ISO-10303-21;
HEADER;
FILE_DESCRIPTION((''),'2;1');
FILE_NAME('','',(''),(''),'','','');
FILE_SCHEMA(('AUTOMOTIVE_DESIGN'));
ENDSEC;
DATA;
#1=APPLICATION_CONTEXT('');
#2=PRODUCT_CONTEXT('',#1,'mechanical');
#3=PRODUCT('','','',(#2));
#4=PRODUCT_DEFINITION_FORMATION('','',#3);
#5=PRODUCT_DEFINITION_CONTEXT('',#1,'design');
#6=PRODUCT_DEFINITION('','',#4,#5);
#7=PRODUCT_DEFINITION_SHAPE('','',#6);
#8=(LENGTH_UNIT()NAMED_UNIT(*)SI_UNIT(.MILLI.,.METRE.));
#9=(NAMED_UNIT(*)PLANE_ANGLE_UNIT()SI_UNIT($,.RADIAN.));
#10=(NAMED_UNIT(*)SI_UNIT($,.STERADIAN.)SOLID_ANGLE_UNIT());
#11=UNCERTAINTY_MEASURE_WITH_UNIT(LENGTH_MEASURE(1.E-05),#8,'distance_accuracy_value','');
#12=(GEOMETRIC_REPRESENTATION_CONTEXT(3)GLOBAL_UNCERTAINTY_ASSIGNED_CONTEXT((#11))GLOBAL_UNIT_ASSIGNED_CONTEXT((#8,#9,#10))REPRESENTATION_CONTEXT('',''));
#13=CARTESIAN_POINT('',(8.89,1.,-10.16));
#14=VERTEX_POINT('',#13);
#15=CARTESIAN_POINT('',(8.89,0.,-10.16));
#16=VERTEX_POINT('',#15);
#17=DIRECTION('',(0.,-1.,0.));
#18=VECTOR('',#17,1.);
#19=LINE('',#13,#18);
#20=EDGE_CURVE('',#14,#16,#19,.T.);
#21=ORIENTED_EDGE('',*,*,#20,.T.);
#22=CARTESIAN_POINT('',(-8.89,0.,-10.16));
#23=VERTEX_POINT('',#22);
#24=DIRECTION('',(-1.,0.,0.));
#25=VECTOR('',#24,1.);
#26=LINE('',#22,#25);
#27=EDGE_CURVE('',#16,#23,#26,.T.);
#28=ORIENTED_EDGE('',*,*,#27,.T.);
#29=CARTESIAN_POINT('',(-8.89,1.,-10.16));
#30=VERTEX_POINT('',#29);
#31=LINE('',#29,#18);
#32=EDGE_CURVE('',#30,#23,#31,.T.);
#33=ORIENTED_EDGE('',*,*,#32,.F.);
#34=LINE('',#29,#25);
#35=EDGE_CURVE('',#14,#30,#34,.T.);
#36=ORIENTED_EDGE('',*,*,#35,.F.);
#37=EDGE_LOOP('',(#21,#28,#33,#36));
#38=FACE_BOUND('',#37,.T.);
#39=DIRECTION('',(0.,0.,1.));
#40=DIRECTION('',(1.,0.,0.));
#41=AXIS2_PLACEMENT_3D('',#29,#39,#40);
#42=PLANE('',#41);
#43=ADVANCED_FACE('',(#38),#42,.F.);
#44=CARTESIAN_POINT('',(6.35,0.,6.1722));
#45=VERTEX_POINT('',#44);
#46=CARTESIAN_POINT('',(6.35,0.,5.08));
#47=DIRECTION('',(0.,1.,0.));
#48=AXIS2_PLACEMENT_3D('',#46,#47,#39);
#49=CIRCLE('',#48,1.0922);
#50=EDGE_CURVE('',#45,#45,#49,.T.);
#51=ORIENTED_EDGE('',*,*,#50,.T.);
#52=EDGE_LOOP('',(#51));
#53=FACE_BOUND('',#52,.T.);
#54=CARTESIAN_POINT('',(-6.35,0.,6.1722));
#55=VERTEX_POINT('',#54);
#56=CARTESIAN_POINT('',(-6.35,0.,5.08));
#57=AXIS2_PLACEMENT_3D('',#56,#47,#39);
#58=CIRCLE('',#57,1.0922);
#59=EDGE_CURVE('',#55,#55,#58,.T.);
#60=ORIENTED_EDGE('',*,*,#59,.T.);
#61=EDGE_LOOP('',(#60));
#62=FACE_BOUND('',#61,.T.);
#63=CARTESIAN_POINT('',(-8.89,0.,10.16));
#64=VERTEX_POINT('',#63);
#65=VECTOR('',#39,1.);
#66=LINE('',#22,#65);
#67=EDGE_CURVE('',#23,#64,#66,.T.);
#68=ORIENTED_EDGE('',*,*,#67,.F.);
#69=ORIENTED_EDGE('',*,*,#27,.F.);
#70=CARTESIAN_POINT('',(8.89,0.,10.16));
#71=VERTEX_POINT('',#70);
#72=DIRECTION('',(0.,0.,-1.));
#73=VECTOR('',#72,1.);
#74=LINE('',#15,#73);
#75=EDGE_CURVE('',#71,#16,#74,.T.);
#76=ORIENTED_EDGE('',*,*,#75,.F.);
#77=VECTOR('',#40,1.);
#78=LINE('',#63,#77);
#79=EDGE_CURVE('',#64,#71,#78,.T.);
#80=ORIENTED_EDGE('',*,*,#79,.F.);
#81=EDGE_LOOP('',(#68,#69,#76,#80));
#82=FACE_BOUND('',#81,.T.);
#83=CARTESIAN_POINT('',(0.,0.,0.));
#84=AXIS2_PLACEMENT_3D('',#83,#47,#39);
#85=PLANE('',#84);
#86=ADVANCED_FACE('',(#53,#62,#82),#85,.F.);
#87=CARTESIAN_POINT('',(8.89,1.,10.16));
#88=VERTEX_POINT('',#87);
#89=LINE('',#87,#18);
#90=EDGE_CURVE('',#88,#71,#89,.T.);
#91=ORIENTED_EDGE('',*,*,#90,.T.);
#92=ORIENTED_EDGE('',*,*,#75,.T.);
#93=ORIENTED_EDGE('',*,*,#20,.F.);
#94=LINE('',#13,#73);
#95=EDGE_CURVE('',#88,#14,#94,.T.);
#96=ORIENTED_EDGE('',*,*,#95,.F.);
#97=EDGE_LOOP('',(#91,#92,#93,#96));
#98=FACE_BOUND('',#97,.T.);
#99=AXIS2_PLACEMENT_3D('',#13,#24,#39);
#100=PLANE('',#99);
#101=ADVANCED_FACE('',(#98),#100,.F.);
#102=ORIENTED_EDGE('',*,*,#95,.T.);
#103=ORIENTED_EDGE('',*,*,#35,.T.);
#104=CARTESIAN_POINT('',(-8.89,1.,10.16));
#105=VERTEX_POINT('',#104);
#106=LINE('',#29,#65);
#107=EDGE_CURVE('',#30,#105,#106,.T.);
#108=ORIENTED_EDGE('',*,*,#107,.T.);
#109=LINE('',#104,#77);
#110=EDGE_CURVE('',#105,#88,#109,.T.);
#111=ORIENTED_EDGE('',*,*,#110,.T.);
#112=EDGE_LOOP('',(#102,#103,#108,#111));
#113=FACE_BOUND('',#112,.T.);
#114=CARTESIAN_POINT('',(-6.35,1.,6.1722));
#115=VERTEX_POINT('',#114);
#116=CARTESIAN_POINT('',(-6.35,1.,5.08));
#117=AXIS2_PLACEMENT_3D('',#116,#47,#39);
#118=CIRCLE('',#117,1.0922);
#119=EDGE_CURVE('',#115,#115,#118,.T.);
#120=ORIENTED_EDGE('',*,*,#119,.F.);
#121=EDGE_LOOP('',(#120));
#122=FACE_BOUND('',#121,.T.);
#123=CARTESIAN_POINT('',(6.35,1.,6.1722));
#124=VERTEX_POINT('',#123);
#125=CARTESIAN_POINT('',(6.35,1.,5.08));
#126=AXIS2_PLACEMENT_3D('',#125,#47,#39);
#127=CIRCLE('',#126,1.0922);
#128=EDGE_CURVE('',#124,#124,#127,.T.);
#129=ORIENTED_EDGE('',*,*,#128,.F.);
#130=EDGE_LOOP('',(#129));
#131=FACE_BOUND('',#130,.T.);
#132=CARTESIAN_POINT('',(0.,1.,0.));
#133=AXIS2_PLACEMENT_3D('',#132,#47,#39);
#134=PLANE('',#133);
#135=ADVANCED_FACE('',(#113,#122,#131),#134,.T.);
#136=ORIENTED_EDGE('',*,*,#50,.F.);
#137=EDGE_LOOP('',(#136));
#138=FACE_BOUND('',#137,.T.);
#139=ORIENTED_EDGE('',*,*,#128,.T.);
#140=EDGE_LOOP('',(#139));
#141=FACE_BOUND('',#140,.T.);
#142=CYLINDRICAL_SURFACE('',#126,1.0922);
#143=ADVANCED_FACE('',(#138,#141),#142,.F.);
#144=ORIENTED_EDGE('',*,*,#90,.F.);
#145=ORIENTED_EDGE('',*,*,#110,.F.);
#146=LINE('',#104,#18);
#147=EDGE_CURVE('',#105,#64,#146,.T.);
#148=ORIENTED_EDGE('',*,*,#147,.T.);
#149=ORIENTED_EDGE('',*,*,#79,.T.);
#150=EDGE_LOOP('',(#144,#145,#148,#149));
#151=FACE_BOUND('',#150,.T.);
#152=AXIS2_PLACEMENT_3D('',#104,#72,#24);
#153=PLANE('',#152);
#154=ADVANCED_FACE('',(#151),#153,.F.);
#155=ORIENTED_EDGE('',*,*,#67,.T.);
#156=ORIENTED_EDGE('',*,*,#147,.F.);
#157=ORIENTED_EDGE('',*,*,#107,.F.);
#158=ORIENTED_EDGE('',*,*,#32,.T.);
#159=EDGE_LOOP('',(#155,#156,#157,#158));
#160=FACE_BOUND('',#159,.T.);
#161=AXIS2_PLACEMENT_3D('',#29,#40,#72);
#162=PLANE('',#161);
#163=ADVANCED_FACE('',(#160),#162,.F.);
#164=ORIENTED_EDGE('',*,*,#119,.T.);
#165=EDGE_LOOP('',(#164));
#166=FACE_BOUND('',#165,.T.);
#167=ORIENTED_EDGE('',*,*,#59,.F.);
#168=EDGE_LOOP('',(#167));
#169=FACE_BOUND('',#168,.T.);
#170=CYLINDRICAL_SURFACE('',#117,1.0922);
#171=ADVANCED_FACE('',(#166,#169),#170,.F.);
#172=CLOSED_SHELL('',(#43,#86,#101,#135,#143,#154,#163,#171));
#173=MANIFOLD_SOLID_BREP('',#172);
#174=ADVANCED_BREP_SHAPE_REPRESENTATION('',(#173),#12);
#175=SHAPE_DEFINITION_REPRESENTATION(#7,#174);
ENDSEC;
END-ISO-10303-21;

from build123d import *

# Parameters (mm, degrees)
SKETCH1_W             = 17.78
SKETCH1_H             = 20.32
BOSS_EXTRUDE1_DEPTH   = 1
F_2_CLEARANCE_HOLE1_D = 2.1844


with BuildPart() as part:
    # Sketch1 → Boss-Extrude1 (new body)
    with BuildSketch(Plane(origin=(0, 0, 0), x_dir=(1, 0, 0), z_dir=(0, 1, 0))):
        Rectangle(SKETCH1_W, SKETCH1_H)
    extrude(amount=BOSS_EXTRUDE1_DEPTH)

    # #2 Clearance Hole1 (through all)
    with Locations(Plane(origin=(0, 1, 0), x_dir=(1, 0, 0), z_dir=(0, 1, 0))):
        with Locations((-6.35, -5.08), (6.35, -5.08)):
            Hole(F_2_CLEARANCE_HOLE1_D / 2)


solid = part.part
